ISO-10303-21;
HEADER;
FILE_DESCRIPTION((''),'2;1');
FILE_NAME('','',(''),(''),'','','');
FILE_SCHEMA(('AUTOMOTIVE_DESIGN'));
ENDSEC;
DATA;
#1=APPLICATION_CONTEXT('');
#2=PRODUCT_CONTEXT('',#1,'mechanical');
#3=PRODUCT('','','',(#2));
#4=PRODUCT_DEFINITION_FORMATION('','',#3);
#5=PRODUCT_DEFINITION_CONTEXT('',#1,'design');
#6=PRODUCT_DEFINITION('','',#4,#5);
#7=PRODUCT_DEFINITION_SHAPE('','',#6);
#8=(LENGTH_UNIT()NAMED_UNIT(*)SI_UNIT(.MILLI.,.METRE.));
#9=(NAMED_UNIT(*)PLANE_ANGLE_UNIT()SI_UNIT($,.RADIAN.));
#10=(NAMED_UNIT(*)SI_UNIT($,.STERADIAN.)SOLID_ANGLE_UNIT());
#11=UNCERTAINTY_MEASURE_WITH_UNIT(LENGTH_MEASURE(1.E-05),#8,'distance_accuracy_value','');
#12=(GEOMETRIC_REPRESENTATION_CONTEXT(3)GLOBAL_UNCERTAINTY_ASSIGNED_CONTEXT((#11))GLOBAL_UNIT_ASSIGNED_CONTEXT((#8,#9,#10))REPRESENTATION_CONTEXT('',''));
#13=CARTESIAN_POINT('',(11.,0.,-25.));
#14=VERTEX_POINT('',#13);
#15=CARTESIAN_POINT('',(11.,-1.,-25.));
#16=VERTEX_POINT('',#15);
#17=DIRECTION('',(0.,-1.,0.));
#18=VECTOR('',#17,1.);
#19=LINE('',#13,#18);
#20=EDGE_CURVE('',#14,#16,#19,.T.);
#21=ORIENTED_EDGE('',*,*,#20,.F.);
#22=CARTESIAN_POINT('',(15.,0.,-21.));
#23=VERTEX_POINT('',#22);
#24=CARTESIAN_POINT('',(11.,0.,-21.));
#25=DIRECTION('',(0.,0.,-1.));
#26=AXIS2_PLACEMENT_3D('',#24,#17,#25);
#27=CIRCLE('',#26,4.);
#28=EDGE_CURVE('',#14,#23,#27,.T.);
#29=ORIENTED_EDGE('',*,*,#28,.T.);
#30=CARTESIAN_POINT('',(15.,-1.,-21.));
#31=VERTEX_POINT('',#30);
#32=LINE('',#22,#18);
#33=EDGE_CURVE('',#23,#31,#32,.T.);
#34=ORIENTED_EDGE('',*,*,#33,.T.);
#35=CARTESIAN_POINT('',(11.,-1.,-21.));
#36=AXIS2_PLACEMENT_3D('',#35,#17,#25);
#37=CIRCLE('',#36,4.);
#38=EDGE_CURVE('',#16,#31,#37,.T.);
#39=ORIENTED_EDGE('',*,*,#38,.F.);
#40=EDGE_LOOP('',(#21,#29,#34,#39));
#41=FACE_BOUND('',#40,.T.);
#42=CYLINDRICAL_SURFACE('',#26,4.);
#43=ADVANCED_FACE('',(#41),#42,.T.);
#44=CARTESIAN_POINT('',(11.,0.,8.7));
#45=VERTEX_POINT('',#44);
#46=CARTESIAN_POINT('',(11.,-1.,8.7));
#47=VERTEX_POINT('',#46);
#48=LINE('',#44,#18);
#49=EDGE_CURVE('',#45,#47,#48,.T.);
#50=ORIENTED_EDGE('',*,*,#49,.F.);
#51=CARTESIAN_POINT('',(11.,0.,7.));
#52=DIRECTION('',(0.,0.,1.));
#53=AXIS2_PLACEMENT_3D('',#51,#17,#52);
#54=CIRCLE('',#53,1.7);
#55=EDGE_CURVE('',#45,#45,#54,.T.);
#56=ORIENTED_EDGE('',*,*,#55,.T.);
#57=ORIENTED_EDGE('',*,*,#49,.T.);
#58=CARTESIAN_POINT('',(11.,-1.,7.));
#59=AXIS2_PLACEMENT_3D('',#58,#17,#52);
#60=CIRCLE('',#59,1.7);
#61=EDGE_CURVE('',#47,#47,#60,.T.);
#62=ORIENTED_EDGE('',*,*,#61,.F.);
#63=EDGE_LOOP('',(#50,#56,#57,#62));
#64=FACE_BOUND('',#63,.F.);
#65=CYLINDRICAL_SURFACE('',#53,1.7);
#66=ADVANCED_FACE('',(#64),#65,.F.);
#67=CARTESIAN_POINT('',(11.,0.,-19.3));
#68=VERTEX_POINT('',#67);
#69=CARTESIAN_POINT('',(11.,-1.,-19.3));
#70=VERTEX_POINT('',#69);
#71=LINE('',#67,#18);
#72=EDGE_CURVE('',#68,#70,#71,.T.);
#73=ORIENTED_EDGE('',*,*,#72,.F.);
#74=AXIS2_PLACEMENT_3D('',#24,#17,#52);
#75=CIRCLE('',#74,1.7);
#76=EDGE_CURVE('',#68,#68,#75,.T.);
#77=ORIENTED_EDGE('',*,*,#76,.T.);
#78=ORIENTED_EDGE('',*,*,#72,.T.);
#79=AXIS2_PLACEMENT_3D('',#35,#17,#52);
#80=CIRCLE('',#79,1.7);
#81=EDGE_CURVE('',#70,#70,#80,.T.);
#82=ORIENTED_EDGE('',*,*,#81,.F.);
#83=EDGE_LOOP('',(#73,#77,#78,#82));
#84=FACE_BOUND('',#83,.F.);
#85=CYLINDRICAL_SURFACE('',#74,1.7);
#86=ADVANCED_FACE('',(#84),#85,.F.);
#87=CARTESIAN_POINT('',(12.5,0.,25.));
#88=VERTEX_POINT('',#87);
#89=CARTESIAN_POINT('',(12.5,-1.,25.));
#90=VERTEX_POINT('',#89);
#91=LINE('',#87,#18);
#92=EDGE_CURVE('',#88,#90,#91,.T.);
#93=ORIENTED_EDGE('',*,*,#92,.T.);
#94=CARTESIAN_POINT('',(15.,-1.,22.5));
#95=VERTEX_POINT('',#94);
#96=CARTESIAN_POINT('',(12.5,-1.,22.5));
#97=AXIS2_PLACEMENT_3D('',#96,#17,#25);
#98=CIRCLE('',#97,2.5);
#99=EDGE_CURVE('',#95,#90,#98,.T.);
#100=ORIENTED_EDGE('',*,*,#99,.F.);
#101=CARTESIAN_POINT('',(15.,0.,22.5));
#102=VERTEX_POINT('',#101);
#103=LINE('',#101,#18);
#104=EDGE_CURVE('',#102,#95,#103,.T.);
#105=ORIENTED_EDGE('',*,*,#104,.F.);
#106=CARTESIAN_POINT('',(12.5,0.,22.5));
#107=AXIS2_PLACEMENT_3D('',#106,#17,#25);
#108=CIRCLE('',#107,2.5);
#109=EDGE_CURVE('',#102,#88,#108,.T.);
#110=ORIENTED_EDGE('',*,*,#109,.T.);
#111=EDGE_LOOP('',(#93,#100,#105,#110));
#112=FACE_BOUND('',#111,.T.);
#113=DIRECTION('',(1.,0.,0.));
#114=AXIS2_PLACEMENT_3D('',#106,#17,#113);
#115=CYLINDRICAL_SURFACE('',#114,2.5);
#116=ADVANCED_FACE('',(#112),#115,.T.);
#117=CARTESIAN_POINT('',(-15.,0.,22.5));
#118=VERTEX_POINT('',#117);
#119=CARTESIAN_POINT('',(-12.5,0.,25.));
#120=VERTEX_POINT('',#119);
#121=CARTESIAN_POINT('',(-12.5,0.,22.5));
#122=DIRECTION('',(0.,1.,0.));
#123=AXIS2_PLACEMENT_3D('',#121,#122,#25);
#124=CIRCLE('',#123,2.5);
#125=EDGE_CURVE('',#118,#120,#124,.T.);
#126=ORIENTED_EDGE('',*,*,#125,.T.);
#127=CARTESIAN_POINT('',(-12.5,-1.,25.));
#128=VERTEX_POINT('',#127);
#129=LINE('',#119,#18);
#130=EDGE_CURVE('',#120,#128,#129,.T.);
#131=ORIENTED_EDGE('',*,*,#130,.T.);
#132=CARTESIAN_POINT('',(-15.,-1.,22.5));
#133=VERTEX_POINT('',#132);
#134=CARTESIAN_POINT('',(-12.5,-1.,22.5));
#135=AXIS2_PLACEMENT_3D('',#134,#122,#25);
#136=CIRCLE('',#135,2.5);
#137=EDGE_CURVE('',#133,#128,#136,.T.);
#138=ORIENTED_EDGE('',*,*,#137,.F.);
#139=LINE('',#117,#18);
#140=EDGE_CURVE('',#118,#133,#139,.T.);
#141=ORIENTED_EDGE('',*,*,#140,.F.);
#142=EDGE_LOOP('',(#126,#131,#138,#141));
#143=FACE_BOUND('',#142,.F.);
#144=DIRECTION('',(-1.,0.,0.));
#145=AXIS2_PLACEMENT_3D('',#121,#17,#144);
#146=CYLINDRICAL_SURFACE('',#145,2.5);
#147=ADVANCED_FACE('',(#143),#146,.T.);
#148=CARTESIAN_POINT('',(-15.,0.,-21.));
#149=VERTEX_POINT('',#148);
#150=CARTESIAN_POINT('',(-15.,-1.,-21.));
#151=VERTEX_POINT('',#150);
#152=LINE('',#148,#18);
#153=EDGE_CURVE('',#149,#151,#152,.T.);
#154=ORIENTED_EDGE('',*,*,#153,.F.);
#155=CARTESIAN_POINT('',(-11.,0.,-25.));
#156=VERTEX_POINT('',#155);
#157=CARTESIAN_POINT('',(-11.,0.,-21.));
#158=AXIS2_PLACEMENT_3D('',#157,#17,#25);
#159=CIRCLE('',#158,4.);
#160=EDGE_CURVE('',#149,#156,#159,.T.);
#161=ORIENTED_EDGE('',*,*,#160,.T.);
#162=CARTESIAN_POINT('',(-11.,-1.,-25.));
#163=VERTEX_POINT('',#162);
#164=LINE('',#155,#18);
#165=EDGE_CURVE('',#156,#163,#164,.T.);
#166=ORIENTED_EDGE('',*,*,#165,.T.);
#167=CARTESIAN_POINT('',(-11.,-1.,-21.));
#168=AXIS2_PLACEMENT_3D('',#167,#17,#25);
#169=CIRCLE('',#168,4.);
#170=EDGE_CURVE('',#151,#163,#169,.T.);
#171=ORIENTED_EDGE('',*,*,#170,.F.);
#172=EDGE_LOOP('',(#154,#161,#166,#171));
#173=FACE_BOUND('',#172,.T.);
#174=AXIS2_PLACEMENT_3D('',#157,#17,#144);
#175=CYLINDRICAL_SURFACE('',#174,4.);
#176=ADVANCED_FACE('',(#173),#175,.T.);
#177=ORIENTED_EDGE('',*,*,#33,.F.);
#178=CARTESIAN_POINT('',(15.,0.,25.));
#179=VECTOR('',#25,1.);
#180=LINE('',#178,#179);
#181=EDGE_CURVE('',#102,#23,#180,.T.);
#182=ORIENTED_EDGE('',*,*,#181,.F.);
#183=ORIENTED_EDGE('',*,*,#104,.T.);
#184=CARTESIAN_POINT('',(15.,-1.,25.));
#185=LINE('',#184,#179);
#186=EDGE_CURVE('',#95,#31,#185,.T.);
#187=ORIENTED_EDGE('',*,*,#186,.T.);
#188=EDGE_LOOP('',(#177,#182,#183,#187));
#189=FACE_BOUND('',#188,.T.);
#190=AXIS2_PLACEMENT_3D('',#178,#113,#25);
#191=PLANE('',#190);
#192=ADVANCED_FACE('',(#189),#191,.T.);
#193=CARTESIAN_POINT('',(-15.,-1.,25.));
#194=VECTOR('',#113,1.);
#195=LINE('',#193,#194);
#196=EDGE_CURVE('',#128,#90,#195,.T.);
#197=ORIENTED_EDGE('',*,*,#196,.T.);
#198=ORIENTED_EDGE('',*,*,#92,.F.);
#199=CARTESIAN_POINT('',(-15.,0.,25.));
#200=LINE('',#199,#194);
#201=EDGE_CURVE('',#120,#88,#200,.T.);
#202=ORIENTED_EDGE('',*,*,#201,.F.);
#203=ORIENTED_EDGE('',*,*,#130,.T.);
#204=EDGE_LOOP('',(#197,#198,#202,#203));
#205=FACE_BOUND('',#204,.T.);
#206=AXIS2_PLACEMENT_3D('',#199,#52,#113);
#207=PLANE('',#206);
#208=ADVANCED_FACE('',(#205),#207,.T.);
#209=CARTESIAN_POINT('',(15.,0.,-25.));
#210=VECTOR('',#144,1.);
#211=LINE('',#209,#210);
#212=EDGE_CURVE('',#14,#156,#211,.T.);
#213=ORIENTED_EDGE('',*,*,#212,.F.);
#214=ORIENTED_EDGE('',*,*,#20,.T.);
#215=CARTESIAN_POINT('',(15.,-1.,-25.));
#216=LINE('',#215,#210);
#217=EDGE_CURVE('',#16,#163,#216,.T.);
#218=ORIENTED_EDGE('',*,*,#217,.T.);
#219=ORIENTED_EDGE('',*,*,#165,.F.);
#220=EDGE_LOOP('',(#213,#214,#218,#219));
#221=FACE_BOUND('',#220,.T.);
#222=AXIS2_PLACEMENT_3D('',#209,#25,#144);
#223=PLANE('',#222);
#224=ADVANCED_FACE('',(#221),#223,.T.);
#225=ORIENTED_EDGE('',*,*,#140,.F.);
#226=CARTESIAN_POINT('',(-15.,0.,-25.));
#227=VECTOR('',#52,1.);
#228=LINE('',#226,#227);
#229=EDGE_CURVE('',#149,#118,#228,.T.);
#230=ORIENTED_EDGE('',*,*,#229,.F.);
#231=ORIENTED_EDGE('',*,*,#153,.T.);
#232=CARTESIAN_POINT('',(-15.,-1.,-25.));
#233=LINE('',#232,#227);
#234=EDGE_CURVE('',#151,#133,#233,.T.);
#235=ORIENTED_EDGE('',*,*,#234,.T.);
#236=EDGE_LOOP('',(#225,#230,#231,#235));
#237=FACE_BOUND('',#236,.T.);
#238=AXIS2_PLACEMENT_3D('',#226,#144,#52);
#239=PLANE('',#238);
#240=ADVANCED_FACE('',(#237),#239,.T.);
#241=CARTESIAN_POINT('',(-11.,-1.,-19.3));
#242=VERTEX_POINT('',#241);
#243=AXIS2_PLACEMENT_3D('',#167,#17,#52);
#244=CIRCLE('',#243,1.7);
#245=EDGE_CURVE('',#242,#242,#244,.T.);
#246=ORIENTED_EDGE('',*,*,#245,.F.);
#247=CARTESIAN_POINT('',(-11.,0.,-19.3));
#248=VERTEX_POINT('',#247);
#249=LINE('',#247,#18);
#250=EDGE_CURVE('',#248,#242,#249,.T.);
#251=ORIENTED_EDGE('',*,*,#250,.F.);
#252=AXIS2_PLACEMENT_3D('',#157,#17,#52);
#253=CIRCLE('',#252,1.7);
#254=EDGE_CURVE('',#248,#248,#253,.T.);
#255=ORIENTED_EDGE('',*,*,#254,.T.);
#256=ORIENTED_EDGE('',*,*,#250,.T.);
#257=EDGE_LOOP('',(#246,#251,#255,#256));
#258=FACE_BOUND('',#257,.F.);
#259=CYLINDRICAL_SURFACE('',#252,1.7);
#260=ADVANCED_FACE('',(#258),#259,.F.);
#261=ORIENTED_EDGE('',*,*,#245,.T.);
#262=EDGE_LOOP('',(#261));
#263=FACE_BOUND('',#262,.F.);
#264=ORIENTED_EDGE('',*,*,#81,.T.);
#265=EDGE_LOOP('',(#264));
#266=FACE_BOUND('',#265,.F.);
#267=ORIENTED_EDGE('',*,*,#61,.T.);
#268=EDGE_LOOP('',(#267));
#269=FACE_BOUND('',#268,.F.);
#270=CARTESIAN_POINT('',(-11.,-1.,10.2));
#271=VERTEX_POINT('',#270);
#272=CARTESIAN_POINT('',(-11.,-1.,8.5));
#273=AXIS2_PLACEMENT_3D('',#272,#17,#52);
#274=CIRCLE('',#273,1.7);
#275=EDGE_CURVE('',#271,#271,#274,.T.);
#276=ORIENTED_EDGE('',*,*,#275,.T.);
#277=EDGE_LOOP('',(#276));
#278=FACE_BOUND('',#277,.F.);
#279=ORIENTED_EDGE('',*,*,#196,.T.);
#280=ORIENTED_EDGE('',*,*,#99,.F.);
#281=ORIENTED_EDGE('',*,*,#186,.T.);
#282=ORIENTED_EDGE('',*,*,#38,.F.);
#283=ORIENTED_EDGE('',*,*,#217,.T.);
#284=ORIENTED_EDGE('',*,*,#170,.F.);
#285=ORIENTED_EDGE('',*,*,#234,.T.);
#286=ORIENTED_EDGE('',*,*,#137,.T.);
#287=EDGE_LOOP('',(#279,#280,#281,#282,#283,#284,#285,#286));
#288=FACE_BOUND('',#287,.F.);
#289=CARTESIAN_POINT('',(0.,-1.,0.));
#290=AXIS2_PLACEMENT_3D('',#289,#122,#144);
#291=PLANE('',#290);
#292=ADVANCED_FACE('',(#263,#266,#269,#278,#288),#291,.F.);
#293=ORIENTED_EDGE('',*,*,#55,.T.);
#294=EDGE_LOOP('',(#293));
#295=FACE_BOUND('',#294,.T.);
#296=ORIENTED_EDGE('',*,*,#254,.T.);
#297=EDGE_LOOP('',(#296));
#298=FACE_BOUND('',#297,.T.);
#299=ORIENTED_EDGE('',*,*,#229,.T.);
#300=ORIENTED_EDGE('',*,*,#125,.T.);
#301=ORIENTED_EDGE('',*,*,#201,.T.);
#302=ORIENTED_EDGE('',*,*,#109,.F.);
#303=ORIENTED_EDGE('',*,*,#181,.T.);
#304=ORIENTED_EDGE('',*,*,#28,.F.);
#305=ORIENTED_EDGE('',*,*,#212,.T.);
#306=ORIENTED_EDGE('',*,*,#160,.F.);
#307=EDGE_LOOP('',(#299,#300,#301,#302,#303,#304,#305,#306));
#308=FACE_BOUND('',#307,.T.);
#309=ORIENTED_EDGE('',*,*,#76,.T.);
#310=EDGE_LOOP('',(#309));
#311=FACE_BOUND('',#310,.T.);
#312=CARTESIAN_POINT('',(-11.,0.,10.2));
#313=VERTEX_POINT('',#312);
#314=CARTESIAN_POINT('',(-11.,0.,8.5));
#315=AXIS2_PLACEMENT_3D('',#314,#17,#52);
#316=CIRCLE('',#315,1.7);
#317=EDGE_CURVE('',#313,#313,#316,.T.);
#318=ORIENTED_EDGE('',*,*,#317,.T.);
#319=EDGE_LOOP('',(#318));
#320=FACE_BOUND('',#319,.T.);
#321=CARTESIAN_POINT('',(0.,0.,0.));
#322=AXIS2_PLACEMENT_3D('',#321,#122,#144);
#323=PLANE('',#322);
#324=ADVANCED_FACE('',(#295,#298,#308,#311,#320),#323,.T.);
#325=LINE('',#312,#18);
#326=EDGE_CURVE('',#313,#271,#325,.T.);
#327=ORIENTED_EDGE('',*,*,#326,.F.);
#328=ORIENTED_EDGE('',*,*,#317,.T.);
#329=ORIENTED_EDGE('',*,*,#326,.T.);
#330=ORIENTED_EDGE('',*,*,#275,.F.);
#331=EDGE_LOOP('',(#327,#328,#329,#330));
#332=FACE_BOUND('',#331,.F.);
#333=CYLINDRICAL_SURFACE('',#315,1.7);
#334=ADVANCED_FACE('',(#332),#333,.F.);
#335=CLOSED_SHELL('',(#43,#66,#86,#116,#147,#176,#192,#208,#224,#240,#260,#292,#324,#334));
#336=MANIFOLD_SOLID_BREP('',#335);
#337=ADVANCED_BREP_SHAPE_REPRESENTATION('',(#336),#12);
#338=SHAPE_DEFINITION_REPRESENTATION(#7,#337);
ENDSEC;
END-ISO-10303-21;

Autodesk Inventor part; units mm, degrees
ref_plane "YZ Plane" through (0, 0, 0) normal (1, 0, 0) x (0, 1, 0)
ref_plane "XZ Plane" through (0, 0, 0) normal (0, 1, 0) x (-1, 0, 0)
ref_plane "XY Plane" through (0, 0, 0) normal (0, 0, 1) x (1, 0, 0)
sketch "Sketch1" plane through (0, 0, 0) normal (0, 1, 0) x (-1, 0, 0)
  line L0 (15, 25) -> (-15, 25)
  line L1 (-15, 25) -> (-15, -25)
  line L2 (-15, -25) -> (15, -25)
  line L3 (15, -25) -> (15, 25)
  line L4 (21, 0) -> (-21, 0) construction
  line L5 (0, -35) -> (0, 35) construction
  point P0 (0, 0)
  dimension "d11" = 15
  dimension "d12" = 15
  dimension "d13" = 25
  dimension "d14" = 25
extrude "Extrusion1" add sketch "Sketch1" against normal blind 1
fillet "Fillet1" radius 2.5 2 edges at (-15, -0.5, 25) (15, -0.5, 25)
fillet "Fillet2" radius 4 2 edges at (-15, -0.5, -25) (15, -0.5, -25)
sketch "Sketch3" plane through (0, 0, 0) normal (0, 1, 0) x (1, 0, 0)
  arc A0 (15, 21) -> (11, 25) centre (11, 21) ccw projected
  arc A1 (-11, 25) -> (-15, 21) centre (-11, 21) ccw projected
  line L0 (15, -22.5) -> (15, 21) projected
  line L1 (-15, 21) -> (-15, -22.5) projected
  line L2 (-12.5, -25) -> (12.5, -25) projected
  point P0 (0, 0)
  point P1 (11, -7)
  point P2 (-11, -8.5)
  point P3 (12.5, -25)
  dimension "d24" = 4
  dimension "d25" = 4
  dimension "d52" = 18
  dimension "d53" = 1.5
hole "Hole2" at (-11, 0, -21) at (11, 0, -21) at (11, 0, 7) at (-11, 0, 8.5) direction (0, -1, 0) diameter 3.4 end through all
properties part number "mcu_pcb"
